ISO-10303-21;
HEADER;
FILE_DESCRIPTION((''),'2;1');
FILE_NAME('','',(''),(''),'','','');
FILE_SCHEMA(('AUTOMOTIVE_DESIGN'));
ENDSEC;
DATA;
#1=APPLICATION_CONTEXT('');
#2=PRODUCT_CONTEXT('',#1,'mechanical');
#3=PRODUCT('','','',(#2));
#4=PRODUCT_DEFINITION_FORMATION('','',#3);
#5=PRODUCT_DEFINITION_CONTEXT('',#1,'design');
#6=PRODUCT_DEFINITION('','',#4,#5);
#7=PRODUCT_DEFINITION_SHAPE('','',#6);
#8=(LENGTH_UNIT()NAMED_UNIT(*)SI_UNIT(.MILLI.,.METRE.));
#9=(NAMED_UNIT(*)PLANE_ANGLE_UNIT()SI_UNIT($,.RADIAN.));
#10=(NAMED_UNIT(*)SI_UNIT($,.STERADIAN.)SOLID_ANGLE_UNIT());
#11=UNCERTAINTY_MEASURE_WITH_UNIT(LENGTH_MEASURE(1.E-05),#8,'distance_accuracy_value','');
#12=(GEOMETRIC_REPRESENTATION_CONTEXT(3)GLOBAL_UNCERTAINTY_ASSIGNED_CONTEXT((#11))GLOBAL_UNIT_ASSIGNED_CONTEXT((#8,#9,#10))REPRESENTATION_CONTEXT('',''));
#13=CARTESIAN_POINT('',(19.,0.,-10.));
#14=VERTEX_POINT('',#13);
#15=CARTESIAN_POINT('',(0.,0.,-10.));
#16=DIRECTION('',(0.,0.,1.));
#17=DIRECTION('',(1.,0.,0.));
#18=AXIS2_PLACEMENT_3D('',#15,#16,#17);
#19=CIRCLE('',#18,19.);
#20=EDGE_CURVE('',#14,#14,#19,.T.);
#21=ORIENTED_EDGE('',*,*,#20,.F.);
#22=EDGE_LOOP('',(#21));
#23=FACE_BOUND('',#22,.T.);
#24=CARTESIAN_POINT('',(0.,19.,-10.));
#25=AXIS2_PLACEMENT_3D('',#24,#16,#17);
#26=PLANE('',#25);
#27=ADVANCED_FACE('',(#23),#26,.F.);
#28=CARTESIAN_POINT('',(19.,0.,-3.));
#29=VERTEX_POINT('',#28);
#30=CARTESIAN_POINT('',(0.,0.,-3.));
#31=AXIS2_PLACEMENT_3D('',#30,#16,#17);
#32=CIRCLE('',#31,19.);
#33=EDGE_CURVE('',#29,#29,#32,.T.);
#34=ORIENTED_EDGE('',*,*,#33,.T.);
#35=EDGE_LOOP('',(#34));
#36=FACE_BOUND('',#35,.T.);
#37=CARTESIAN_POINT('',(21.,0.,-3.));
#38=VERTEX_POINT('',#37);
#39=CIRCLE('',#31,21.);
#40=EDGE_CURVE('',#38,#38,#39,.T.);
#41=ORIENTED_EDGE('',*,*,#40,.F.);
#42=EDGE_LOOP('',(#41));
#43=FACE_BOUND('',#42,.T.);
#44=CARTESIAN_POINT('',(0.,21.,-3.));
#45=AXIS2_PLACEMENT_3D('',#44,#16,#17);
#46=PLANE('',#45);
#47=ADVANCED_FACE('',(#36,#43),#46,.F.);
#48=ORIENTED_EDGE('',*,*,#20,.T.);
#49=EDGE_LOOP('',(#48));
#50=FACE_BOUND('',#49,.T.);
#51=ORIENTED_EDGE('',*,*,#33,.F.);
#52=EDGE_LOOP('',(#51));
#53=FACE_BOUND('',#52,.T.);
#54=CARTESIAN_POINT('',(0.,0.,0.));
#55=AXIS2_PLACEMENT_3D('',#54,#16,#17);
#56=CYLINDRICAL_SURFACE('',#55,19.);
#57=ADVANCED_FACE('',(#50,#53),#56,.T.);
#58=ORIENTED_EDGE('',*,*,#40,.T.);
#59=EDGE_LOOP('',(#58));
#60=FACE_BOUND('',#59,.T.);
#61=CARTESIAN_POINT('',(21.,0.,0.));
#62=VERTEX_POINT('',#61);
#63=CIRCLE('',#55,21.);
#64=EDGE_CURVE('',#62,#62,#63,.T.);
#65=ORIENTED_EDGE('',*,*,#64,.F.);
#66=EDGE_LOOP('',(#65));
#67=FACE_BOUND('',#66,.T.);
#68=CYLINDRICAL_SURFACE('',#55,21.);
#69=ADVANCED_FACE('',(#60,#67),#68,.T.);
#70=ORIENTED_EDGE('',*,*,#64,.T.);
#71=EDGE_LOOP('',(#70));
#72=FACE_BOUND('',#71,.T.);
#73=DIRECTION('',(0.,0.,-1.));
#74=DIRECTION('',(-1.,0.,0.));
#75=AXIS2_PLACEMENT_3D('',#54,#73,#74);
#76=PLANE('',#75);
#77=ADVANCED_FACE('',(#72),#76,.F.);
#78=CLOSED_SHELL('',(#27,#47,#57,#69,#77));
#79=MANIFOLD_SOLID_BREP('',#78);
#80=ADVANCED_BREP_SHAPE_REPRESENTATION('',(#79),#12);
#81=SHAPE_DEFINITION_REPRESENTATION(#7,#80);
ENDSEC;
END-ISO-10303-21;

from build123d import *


with BuildPart() as part:
    # Эскиз2 → Повернуть1 (revolve)
    with BuildSketch(Plane(origin=(0, 0, 0), x_dir=(0, 0, -1), z_dir=(1, 0, 0))):
        Polygon((0, 0), (0, 21), (3, 21), (3, 19), (10, 19), (10, 0), align=None)
    revolve(axis=Axis((0, 0, 0), (0, 0, -1)))


solid = part.part
